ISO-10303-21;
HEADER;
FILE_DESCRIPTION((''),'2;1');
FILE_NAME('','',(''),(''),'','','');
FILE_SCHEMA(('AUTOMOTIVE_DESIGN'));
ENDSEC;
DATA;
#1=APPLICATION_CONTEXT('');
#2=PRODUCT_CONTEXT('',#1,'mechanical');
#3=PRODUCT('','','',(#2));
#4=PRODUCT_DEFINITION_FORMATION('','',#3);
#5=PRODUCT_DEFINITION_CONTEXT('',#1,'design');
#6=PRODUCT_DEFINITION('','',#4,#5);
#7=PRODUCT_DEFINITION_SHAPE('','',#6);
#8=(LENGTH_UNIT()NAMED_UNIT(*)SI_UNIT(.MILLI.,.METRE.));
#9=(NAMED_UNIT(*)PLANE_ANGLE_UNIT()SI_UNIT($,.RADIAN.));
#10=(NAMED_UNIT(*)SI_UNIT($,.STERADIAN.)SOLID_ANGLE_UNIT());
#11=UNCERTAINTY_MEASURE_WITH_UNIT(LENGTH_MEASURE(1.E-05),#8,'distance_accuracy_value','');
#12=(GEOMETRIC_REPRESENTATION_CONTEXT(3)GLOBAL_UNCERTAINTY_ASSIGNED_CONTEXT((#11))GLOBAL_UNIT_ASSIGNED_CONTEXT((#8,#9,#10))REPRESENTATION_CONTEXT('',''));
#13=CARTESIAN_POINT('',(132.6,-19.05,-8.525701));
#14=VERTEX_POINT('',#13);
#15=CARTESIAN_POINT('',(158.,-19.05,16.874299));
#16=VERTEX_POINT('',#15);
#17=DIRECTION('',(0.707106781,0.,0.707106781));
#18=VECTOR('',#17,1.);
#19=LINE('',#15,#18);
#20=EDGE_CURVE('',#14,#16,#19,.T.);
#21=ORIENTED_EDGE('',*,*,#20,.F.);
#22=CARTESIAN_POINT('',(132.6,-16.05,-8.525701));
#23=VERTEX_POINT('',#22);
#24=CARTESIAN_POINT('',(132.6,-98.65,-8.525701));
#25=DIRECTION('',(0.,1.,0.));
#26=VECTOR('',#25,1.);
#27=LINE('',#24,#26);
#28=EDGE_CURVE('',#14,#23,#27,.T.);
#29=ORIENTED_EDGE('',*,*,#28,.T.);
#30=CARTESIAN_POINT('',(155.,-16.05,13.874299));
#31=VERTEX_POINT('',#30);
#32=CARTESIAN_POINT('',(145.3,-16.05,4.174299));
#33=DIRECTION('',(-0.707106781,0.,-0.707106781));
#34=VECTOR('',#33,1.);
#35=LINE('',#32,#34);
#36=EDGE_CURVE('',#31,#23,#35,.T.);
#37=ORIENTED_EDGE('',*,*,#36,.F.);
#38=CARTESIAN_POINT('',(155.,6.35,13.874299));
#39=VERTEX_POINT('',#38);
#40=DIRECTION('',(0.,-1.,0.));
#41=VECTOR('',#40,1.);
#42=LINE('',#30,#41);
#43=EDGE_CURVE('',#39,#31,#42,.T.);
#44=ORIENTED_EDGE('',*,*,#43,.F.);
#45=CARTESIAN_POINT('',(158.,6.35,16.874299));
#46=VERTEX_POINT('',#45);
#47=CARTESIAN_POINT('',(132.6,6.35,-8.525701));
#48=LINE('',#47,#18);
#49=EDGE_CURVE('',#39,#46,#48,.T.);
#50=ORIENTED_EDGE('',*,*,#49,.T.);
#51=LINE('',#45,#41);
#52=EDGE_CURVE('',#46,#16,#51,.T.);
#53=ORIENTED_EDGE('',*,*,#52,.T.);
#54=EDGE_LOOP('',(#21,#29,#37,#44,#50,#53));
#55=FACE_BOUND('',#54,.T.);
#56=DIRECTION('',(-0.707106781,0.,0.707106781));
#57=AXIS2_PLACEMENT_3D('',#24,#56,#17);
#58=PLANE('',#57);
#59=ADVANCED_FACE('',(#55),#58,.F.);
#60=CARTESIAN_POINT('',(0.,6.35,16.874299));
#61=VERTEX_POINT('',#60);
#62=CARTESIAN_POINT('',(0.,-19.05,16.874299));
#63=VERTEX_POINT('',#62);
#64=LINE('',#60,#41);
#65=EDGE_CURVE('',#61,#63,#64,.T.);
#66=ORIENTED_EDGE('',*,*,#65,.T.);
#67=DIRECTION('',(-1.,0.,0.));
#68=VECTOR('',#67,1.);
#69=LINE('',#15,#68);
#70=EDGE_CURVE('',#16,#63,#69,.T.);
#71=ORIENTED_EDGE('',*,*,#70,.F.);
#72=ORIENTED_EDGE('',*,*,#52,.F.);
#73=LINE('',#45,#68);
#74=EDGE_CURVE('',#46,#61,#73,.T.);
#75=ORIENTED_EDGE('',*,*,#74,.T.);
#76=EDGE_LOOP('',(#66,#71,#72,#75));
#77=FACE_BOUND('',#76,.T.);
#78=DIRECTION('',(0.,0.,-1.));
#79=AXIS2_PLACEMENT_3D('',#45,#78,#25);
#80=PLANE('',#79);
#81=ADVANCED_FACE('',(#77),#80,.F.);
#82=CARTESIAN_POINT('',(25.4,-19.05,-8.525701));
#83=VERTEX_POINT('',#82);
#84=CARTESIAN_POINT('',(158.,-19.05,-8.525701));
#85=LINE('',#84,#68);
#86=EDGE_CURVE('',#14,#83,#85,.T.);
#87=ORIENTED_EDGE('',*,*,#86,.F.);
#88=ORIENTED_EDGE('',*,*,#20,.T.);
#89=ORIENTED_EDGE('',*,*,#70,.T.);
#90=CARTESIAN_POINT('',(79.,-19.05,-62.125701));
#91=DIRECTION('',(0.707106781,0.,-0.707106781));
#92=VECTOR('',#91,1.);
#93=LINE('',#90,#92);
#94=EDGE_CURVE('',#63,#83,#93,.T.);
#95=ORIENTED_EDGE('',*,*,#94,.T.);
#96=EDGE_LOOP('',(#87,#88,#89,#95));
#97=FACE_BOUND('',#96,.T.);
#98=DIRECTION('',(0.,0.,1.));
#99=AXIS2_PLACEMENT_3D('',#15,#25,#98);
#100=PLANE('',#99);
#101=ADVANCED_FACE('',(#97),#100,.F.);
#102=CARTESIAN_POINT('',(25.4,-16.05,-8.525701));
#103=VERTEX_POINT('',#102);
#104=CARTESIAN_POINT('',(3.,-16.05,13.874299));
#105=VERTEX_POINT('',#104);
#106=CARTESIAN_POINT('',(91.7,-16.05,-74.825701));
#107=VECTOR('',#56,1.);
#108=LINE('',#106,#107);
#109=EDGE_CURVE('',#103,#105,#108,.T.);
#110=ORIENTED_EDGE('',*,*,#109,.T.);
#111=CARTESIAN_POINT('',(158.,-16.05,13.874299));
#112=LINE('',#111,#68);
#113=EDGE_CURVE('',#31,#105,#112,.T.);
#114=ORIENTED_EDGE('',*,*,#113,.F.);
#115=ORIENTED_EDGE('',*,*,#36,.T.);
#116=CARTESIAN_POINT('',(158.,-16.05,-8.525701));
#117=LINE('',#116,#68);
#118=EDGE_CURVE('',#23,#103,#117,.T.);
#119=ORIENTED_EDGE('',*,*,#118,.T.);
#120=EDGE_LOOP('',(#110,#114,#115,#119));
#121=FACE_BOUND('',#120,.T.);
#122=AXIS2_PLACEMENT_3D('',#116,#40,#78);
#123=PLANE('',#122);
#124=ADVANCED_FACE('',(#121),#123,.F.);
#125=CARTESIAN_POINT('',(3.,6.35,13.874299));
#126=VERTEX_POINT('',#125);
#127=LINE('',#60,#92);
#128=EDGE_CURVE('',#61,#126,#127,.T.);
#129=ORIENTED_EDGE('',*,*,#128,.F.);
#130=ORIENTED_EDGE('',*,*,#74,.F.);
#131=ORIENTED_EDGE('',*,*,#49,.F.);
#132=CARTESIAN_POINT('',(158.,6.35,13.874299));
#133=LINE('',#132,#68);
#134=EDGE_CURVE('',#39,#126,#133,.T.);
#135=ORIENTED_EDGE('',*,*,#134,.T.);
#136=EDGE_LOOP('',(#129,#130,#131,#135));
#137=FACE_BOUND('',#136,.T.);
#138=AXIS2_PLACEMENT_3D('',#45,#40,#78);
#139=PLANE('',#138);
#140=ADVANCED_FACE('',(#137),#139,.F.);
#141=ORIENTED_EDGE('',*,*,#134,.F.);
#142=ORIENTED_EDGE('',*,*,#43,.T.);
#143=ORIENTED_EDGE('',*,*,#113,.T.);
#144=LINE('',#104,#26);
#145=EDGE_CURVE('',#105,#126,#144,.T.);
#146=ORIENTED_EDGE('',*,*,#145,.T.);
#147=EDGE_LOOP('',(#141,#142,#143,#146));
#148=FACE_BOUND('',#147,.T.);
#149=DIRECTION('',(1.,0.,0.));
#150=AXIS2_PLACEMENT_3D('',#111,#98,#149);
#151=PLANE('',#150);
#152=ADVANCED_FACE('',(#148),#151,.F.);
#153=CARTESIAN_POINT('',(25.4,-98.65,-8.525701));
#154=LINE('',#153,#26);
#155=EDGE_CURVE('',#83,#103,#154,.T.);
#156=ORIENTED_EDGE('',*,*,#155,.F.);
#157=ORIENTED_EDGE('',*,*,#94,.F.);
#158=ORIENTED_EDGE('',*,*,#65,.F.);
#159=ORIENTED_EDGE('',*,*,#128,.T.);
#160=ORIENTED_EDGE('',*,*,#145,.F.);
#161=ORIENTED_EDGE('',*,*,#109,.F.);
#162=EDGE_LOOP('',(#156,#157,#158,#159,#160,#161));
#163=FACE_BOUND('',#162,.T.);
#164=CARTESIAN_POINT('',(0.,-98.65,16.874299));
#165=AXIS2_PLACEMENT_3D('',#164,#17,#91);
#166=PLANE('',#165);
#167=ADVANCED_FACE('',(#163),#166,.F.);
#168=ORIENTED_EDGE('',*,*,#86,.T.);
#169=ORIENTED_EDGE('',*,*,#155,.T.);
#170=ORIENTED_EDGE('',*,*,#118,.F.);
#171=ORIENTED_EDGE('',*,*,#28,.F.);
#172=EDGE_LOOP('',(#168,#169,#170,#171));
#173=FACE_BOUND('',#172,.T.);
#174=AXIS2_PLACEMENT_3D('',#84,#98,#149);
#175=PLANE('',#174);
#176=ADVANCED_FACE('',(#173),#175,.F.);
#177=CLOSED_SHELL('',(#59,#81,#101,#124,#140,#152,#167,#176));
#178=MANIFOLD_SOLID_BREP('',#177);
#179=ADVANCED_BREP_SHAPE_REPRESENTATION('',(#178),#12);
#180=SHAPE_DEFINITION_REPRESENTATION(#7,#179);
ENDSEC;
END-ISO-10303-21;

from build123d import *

# Parameters (mm, degrees)
SALIENTE_EXTRUIR1_DEPTH = 158
CORTAR_EXTRUIR3_DEPTH   = 105
CORTAR_EXTRUIR4_DEPTH   = 105


with BuildPart() as part:
    # Croquis1 → Saliente-Extruir1 (new body)
    with BuildSketch(Plane(origin=(0, 0, 0), x_dir=(0, 0, -1), z_dir=(1, 0, 0))):
        Polygon((-16.874298957, 6.35), (-16.874298957, -19.05), (8.525701043, -19.05), (8.525701043, -16.05), (-13.874298957, -16.05), (-13.874298957, 6.35), align=None)
    extrude(amount=SALIENTE_EXTRUIR1_DEPTH)

    # Croquis3 → Cortar-Extruir3 (cut)
    with BuildSketch(Plane(origin=(0, 6.35, 0), x_dir=(1, 0, 0), z_dir=(0, 1, 0))):
        Polygon((0, -16.874298957), (25.4, 8.525701043), (0, 8.525701043), align=None)
    extrude(amount=-CORTAR_EXTRUIR3_DEPTH, mode=Mode.SUBTRACT)

    # Croquis4 → Cortar-Extruir4 (cut)
    with BuildSketch(Plane(origin=(0, 6.35, 0), x_dir=(1, 0, 0), z_dir=(0, 1, 0))):
        Polygon((158, -16.874298957), (158, 8.525701043), (132.6, 8.525701043), align=None)
    extrude(amount=-CORTAR_EXTRUIR4_DEPTH, mode=Mode.SUBTRACT)


solid = part.part
